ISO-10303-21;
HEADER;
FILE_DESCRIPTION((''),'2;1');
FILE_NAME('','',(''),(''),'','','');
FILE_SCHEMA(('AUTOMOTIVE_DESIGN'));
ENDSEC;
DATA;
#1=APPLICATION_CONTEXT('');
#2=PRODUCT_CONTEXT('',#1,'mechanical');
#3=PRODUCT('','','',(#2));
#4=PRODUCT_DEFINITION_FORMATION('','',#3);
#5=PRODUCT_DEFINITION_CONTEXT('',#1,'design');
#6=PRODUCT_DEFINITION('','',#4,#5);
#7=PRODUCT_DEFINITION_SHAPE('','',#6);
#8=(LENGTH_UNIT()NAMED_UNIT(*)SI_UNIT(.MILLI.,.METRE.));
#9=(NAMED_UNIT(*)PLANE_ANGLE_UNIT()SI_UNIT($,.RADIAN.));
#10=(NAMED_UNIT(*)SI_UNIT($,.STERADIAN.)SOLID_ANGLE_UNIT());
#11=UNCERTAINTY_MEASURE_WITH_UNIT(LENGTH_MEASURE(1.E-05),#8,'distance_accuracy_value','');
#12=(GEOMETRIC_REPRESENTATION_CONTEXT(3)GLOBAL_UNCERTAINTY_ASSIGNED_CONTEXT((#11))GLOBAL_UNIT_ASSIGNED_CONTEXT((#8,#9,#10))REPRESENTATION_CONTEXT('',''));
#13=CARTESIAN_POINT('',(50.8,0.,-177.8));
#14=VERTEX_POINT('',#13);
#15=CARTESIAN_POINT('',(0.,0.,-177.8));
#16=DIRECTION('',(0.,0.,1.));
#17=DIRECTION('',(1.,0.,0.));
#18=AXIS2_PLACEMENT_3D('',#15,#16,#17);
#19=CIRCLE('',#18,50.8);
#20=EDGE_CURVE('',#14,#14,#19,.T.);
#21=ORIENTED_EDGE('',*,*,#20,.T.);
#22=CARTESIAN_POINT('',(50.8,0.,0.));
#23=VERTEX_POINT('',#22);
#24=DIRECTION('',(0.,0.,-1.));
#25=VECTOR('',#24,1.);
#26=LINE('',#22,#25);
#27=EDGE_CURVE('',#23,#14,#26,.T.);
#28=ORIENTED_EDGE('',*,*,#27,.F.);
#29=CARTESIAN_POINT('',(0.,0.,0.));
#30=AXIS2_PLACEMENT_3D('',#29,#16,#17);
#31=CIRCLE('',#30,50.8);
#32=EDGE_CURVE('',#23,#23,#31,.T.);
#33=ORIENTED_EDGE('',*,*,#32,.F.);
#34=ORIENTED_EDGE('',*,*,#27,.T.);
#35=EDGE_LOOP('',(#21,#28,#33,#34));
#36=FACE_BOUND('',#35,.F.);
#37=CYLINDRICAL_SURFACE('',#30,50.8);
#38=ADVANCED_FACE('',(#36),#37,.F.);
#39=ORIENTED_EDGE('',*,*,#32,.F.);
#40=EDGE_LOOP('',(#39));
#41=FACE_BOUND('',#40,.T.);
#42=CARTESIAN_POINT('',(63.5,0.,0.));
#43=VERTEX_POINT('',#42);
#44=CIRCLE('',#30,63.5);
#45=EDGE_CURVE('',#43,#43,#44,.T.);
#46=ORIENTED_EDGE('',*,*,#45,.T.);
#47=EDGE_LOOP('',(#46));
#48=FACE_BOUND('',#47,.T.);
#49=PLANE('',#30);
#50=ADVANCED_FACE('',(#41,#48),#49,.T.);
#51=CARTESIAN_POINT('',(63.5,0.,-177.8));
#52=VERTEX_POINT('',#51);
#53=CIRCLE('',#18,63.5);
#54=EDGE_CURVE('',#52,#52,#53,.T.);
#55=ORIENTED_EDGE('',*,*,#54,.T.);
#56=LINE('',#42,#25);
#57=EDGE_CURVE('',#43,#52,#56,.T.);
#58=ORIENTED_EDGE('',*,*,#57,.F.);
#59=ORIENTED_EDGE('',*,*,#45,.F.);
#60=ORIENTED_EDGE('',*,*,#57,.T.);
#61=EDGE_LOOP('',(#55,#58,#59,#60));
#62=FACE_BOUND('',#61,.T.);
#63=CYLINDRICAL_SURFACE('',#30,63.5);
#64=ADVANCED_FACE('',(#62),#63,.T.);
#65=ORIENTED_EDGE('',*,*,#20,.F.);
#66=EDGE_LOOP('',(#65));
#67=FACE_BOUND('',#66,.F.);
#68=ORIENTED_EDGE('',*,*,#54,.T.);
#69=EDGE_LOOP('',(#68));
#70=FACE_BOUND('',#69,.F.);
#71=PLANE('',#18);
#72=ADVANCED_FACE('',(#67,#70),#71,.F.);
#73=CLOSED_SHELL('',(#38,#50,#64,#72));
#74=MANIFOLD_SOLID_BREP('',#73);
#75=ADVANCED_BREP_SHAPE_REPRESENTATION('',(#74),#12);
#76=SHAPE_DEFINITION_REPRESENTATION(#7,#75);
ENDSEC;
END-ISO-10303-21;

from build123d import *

# Parameters (mm, degrees)
F0_R     = 63.5
F1_DEPTH = 177.8
F2_T     = -12.7


with BuildPart() as f1:
    # F0 (on Top) → F1 (new body)
    with BuildSketch(Plane.XY):
        Circle(F0_R)
    extrude(amount=-F1_DEPTH)

    # F2
    f2_openings = [f1.faces().sort_by_distance(p)[0] for p in [
        (0, 0, 0),
        (0, 0, -177.8),
    ]]
    offset(amount=F2_T, openings=f2_openings)


solid = f1.part
